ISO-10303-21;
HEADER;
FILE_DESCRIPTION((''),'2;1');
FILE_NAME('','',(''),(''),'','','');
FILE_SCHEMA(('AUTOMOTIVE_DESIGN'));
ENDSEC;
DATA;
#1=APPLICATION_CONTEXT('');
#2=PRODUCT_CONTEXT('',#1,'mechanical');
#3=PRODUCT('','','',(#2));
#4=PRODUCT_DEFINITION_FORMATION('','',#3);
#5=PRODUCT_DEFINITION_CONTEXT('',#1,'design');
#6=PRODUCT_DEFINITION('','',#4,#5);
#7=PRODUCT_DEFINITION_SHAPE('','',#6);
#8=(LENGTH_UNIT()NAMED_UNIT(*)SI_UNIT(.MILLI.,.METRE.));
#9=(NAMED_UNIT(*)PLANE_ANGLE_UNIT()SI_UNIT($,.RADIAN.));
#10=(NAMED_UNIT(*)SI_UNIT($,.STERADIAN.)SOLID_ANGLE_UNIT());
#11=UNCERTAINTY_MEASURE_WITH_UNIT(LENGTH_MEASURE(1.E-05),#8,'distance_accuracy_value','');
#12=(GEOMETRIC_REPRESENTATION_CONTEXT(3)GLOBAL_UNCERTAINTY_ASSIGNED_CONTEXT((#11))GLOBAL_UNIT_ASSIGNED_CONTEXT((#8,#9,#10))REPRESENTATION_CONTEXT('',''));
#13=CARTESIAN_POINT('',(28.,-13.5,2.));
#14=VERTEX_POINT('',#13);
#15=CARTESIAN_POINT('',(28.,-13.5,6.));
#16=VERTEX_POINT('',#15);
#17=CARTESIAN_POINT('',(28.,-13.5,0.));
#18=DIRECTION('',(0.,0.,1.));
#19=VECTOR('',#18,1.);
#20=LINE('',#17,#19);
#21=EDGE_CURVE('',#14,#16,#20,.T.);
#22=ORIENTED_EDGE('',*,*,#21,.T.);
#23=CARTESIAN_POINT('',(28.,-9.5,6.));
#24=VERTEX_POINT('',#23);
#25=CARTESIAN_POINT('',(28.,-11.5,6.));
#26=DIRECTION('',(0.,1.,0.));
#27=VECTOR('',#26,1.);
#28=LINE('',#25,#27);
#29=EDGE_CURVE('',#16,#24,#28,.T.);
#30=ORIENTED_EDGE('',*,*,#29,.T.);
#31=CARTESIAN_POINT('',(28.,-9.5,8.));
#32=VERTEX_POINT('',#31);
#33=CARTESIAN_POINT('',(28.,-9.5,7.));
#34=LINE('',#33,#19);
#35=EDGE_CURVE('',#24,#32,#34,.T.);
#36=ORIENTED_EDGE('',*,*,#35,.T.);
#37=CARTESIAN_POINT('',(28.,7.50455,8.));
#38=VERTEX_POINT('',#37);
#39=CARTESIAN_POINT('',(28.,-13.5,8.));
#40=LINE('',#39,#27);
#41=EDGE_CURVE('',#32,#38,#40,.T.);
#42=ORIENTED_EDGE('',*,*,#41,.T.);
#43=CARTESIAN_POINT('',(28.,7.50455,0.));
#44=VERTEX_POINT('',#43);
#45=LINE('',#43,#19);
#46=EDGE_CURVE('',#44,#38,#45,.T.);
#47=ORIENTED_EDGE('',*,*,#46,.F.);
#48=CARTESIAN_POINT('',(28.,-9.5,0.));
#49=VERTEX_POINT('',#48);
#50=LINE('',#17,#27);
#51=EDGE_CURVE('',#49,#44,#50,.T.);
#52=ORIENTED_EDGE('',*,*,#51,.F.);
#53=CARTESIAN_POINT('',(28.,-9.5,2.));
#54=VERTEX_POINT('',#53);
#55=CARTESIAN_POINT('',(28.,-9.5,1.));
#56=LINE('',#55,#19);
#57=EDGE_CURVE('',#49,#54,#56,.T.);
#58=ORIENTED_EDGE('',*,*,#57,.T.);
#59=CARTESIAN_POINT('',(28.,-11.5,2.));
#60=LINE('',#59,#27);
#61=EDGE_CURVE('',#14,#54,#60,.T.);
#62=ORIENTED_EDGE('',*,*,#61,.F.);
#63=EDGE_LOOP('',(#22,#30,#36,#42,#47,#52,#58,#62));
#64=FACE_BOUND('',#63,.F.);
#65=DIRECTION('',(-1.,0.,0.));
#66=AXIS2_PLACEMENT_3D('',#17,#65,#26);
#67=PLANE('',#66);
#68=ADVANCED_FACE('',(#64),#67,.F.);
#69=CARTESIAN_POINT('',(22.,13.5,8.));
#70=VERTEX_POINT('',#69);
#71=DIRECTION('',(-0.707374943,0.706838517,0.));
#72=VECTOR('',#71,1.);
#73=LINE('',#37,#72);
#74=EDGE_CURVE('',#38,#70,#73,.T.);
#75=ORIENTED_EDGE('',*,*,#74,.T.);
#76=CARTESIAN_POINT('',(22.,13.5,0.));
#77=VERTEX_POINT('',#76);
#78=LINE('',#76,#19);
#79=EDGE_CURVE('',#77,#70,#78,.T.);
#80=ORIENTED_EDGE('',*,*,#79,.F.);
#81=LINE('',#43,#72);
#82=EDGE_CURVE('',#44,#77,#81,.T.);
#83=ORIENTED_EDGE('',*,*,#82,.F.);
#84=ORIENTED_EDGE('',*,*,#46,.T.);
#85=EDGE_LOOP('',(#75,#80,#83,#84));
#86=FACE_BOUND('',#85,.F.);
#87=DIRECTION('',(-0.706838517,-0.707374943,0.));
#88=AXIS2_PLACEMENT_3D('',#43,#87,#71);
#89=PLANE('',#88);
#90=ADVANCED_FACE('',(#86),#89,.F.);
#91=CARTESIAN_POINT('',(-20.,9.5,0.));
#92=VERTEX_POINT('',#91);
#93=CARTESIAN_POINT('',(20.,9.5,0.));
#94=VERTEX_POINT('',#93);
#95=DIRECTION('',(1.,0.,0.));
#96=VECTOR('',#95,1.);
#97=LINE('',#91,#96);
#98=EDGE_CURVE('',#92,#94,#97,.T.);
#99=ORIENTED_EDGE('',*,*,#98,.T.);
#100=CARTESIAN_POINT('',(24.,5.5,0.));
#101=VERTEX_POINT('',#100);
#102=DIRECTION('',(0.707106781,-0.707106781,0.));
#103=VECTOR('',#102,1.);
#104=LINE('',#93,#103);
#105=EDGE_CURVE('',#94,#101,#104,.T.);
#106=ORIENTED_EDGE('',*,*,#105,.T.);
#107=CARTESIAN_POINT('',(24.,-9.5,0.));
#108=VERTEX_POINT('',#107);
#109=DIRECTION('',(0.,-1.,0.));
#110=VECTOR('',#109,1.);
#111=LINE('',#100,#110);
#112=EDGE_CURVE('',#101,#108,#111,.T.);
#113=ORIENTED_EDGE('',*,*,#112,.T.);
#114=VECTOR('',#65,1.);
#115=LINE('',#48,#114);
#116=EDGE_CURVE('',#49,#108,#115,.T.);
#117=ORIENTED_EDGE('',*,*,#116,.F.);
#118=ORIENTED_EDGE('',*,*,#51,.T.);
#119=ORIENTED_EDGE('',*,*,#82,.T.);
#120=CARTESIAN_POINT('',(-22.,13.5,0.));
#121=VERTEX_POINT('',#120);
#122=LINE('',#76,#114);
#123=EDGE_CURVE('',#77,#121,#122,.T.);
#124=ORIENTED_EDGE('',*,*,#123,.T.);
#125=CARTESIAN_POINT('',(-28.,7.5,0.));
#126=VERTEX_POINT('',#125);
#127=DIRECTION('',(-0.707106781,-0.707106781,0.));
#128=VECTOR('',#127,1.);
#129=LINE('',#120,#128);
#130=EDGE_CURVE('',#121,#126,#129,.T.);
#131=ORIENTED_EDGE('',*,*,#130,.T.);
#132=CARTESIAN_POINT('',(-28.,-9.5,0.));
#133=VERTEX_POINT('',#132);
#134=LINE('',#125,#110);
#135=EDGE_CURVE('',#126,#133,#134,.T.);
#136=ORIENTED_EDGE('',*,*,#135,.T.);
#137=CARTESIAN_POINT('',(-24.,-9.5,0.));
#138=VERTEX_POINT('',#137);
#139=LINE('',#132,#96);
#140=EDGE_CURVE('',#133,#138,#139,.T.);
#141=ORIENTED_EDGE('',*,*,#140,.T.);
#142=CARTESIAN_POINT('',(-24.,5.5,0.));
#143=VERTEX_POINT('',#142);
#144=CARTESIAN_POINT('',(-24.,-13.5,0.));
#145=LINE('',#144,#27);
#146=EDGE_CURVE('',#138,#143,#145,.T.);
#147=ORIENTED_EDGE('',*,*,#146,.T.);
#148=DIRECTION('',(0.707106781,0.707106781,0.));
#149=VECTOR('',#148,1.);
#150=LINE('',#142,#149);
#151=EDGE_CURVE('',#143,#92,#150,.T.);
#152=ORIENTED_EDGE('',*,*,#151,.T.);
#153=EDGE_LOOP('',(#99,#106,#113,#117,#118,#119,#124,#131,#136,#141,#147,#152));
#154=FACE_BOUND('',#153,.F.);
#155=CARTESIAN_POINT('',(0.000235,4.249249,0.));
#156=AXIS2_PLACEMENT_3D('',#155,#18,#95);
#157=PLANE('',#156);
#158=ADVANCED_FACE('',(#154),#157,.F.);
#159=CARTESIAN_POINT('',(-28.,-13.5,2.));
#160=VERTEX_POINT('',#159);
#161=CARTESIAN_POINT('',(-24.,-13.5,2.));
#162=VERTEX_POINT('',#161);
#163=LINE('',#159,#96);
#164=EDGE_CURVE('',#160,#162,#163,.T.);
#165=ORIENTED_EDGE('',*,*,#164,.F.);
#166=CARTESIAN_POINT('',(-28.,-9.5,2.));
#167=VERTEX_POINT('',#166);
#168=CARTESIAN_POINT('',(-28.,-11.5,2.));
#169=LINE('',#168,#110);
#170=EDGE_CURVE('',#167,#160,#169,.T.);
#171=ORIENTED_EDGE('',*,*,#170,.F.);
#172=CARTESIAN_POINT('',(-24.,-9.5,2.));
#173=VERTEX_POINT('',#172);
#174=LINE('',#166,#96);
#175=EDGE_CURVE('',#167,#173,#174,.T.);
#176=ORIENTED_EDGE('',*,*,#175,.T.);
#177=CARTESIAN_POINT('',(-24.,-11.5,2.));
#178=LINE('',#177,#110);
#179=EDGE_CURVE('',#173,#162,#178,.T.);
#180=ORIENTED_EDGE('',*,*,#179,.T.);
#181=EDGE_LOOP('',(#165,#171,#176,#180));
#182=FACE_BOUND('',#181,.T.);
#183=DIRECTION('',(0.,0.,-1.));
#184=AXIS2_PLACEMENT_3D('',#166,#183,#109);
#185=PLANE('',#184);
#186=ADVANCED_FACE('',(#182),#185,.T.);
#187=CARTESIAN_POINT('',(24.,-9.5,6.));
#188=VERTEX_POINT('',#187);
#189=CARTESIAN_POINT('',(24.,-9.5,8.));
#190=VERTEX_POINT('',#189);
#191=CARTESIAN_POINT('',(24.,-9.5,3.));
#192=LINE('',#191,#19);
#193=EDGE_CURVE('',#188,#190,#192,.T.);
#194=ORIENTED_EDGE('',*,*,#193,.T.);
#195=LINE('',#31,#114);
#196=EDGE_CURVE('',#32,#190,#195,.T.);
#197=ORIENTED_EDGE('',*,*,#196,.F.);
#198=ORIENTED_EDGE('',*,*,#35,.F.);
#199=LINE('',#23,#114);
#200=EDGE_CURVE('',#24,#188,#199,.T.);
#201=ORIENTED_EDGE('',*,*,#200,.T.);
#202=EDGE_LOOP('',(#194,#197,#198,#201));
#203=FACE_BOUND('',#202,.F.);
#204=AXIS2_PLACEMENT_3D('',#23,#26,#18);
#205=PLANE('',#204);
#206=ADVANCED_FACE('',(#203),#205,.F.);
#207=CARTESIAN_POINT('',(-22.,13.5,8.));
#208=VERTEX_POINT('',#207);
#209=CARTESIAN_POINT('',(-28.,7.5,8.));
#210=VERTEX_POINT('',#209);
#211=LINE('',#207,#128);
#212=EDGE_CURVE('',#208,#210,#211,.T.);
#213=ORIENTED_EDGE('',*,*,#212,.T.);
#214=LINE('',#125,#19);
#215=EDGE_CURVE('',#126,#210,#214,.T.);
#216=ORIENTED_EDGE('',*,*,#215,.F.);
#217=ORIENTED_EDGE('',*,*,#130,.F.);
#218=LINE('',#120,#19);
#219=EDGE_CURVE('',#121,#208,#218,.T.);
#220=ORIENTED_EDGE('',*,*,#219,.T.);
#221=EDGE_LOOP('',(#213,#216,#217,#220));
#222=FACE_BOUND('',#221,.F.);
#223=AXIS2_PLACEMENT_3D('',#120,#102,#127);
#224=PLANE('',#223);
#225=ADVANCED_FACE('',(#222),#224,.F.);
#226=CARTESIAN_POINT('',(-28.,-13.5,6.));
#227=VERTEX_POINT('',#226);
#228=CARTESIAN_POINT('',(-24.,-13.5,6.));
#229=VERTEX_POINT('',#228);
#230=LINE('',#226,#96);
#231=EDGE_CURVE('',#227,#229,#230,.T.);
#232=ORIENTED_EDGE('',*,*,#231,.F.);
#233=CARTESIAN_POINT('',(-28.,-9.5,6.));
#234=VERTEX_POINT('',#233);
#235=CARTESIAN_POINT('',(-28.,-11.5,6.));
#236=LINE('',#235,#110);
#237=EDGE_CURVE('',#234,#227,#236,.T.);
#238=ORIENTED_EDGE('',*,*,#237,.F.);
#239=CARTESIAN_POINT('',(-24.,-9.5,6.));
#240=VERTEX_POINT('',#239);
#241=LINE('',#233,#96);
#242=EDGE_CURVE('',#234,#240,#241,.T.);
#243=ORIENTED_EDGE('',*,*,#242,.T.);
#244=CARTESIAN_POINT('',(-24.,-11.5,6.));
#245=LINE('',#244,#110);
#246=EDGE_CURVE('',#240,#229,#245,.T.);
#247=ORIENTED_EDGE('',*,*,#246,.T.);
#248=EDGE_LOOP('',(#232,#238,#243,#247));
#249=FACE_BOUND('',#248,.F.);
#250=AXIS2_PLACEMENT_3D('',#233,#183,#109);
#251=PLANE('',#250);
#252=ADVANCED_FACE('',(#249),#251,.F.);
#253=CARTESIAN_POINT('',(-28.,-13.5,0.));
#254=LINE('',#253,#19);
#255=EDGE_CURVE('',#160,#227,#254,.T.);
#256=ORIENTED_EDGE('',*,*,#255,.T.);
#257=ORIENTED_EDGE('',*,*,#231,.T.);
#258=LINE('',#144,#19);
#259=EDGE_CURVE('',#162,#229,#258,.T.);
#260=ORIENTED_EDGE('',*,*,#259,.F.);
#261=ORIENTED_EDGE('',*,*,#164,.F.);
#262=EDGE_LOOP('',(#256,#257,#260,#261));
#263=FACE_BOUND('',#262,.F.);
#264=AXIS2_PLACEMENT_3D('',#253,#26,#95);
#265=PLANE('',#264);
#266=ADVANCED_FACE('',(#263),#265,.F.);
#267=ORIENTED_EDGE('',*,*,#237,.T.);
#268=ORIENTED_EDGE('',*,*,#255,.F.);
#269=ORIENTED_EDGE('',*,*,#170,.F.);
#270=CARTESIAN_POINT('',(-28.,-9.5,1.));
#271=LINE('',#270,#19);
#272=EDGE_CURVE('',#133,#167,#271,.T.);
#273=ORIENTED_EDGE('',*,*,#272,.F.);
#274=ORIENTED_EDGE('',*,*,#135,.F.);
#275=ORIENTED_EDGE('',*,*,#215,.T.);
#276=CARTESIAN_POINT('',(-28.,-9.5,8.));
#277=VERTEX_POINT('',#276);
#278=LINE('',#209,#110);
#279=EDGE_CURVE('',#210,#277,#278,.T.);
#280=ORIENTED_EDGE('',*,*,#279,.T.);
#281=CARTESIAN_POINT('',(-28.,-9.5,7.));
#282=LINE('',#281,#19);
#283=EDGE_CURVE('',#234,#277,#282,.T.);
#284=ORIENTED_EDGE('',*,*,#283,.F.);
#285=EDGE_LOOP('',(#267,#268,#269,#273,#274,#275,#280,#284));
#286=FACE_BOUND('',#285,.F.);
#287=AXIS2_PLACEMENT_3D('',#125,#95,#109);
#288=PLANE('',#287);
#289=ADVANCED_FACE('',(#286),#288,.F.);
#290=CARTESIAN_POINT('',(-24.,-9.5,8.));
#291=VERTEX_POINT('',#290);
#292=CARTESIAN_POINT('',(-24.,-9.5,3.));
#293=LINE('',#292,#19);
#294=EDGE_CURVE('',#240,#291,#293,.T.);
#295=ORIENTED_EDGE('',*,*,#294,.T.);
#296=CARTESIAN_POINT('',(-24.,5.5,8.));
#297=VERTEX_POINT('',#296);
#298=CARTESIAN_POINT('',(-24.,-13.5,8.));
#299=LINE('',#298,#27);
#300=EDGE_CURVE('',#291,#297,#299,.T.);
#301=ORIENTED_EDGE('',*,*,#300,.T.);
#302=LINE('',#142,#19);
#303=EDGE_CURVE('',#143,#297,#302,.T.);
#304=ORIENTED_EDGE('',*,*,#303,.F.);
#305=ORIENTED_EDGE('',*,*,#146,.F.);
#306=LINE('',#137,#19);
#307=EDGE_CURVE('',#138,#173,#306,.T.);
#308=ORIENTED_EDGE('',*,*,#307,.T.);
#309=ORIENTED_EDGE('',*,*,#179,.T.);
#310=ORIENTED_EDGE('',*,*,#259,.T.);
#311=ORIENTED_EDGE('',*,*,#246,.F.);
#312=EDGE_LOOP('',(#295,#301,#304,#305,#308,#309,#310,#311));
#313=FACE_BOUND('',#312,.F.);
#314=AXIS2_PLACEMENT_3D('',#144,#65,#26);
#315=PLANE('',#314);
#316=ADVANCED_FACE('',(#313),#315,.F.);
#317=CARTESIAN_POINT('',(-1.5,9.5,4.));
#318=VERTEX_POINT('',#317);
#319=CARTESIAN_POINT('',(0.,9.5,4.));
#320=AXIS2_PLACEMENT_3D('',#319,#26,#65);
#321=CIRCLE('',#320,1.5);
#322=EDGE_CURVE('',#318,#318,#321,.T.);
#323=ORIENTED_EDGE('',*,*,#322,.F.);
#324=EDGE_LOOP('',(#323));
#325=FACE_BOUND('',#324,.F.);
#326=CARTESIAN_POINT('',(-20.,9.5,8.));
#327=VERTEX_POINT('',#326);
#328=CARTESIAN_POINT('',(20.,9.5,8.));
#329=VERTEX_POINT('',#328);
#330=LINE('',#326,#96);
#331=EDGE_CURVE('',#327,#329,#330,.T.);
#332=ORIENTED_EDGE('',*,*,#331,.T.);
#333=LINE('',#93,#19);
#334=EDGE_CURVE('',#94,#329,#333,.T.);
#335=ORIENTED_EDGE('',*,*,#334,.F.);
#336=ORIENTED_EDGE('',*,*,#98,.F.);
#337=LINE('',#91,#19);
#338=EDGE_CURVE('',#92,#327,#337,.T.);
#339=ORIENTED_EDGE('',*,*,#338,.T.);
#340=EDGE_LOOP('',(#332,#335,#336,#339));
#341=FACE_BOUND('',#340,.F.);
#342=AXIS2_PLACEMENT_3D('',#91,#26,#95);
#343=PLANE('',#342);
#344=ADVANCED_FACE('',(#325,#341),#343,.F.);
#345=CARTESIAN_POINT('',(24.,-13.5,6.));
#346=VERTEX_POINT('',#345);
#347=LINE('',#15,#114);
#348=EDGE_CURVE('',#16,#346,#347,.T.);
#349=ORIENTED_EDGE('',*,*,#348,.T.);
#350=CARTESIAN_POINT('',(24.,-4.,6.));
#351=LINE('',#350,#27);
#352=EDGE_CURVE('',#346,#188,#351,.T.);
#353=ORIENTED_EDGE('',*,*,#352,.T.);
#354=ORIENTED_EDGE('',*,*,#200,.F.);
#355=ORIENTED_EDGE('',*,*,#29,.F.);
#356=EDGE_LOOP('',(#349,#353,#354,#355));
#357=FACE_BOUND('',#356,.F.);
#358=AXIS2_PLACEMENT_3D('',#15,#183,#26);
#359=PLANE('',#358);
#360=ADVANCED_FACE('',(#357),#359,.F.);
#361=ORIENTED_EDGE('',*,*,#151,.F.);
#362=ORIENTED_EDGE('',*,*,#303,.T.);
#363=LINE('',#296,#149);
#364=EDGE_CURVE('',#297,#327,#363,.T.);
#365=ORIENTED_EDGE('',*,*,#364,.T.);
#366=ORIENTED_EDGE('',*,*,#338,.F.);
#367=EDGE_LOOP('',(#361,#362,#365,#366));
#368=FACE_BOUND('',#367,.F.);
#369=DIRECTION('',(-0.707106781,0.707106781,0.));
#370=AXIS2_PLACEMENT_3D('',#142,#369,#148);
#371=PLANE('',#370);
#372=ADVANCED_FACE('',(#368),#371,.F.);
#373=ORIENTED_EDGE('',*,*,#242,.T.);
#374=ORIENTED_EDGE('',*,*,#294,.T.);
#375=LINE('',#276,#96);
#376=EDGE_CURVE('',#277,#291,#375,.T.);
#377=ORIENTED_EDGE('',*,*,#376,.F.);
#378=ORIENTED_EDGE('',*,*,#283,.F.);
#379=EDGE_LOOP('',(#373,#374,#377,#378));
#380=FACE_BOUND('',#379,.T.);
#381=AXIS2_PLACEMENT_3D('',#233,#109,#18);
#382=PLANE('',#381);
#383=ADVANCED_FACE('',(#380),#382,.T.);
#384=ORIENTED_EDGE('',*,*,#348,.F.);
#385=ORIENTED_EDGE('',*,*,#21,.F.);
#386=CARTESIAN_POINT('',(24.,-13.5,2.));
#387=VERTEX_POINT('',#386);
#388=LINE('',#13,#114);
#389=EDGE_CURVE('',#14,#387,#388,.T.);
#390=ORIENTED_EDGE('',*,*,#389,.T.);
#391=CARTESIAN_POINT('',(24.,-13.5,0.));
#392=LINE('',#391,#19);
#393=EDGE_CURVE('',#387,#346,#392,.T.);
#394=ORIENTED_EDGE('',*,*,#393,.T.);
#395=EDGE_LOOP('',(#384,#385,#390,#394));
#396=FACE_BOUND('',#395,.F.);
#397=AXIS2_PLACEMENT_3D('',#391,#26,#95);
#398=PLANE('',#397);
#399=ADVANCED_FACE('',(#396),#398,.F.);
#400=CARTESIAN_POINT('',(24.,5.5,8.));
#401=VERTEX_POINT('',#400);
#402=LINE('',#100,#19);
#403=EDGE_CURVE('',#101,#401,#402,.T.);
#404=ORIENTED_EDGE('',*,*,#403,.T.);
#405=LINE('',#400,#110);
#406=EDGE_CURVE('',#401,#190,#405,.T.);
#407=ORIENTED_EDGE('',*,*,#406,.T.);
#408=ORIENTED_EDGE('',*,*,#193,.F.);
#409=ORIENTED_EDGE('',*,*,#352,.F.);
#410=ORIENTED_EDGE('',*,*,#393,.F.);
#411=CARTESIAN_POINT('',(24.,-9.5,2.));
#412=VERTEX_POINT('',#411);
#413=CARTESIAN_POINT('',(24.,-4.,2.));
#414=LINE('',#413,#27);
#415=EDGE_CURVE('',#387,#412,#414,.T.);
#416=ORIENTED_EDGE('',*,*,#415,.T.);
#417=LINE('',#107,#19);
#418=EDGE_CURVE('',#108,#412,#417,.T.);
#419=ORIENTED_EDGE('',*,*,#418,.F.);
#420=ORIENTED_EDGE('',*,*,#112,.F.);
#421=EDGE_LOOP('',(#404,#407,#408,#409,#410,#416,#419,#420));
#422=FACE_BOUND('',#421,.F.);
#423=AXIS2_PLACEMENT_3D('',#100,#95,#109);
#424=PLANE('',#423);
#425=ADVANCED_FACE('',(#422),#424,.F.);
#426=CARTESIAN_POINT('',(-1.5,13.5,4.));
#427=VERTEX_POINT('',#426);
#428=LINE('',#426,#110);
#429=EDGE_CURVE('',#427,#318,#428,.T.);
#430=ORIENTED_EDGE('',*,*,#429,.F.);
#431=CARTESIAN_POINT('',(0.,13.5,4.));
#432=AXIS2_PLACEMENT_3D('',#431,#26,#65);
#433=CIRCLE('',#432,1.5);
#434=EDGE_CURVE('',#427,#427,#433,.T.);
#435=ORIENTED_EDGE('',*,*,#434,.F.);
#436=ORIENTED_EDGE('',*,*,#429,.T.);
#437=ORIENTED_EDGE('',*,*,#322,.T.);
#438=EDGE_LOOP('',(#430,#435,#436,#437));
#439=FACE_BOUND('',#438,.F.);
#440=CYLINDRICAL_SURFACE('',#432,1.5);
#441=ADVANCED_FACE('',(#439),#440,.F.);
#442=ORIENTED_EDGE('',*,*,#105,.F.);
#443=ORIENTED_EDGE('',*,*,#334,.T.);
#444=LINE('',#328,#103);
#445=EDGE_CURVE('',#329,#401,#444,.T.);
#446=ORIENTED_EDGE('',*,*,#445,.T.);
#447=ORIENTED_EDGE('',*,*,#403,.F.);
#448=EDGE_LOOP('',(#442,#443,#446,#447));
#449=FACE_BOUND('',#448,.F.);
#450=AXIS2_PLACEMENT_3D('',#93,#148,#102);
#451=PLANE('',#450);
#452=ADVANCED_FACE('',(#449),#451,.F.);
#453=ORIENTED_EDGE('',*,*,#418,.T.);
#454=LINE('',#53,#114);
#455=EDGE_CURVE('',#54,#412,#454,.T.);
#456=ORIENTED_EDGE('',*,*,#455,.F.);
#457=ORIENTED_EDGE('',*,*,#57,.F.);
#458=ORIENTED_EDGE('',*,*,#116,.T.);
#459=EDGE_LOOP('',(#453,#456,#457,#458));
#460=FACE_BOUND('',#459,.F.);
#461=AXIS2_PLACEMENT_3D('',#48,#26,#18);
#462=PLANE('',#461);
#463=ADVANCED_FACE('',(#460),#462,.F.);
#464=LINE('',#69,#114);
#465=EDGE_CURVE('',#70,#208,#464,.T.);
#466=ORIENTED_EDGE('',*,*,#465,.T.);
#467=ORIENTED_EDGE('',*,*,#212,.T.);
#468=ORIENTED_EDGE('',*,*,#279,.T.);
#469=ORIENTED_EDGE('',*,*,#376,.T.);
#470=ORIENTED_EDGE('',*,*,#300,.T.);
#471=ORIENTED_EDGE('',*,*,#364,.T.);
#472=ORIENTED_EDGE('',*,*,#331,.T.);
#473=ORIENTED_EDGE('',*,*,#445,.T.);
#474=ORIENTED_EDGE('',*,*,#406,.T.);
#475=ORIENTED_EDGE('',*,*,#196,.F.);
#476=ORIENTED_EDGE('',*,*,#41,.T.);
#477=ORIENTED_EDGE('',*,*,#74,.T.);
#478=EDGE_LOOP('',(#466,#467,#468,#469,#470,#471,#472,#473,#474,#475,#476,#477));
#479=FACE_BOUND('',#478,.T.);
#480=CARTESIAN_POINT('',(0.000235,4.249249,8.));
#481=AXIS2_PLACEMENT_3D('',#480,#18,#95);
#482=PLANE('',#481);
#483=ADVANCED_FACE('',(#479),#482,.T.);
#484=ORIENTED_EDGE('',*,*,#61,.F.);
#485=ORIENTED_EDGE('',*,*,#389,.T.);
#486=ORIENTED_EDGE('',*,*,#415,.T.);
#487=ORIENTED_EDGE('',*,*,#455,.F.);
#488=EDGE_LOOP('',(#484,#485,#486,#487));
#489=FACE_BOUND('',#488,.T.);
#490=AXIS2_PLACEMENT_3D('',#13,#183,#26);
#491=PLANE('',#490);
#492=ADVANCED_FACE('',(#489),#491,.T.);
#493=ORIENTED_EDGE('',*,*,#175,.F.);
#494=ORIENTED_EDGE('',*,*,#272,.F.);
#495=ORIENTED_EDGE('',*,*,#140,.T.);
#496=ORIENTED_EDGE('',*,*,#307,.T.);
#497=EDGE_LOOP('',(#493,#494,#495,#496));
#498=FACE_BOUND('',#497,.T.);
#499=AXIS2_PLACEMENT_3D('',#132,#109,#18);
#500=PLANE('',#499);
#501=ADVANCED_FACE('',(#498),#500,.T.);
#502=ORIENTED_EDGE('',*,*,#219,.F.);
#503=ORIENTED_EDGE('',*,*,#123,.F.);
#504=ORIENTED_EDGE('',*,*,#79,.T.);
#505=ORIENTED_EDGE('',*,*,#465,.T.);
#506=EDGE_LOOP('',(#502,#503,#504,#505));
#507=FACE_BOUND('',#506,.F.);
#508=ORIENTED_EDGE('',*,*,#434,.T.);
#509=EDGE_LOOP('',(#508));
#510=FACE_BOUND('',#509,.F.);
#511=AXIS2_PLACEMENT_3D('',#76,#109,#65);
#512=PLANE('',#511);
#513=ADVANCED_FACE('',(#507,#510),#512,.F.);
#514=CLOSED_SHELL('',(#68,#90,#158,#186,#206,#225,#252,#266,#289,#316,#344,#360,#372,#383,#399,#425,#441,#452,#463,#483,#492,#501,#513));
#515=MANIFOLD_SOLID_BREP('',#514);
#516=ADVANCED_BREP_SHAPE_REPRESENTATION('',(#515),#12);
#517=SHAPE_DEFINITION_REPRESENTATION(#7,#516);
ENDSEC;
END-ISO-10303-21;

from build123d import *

# Parameters (mm, degrees)
F1_DEPTH = 8
F2_W     = 4
F2_H     = 2
F3_DEPTH = 4.2
F4_W     = 4
F4_H     = 2
F5_DEPTH = 4.1
F6_R     = 1.5
F7_DEPTH = 5


with BuildPart() as f1:
    # F0 (on Top) → F1 (new body)
    with BuildSketch(Plane.XY):
        Polygon((-28, 7.5), (-28, -13.5), (-24, -13.5), (-24, 5.5), (-20, 9.5), (20, 9.5), (24, 5.5), (24, -13.5), (28, -13.5), (28, 7.50455), (22, 13.5), (-22, 13.5), align=None)
    extrude(amount=F1_DEPTH)

    # F2 (on face) → F3 (cut)
    with BuildSketch(Plane.YZ.offset(28)):
        with Locations((-11.5, 7)):
            Rectangle(F2_W, F2_H)
        with Locations((-11.5, 1)):
            Rectangle(F2_W, F2_H)
    extrude(amount=-F3_DEPTH, mode=Mode.SUBTRACT)

    # F4 (on face) → F5 (cut)
    with BuildSketch(Plane(origin=(-28, 0, 0), x_dir=(0, -1, 0), z_dir=(-1, 0, 0))):
        with Locations((11.5, 1)):
            Rectangle(F4_W, F4_H)
        with Locations((11.5, 7)):
            Rectangle(F4_W, F4_H)
    extrude(amount=-F5_DEPTH, mode=Mode.SUBTRACT)

    # F6 (on face) → F7 (cut)
    with BuildSketch(Plane(origin=(0, 13.5, 0), x_dir=(-1, 0, 0), z_dir=(0, 1, 0))):
        with Locations((0, 4)):
            Circle(F6_R)
    extrude(amount=-F7_DEPTH, mode=Mode.SUBTRACT)


solid = f1.part
